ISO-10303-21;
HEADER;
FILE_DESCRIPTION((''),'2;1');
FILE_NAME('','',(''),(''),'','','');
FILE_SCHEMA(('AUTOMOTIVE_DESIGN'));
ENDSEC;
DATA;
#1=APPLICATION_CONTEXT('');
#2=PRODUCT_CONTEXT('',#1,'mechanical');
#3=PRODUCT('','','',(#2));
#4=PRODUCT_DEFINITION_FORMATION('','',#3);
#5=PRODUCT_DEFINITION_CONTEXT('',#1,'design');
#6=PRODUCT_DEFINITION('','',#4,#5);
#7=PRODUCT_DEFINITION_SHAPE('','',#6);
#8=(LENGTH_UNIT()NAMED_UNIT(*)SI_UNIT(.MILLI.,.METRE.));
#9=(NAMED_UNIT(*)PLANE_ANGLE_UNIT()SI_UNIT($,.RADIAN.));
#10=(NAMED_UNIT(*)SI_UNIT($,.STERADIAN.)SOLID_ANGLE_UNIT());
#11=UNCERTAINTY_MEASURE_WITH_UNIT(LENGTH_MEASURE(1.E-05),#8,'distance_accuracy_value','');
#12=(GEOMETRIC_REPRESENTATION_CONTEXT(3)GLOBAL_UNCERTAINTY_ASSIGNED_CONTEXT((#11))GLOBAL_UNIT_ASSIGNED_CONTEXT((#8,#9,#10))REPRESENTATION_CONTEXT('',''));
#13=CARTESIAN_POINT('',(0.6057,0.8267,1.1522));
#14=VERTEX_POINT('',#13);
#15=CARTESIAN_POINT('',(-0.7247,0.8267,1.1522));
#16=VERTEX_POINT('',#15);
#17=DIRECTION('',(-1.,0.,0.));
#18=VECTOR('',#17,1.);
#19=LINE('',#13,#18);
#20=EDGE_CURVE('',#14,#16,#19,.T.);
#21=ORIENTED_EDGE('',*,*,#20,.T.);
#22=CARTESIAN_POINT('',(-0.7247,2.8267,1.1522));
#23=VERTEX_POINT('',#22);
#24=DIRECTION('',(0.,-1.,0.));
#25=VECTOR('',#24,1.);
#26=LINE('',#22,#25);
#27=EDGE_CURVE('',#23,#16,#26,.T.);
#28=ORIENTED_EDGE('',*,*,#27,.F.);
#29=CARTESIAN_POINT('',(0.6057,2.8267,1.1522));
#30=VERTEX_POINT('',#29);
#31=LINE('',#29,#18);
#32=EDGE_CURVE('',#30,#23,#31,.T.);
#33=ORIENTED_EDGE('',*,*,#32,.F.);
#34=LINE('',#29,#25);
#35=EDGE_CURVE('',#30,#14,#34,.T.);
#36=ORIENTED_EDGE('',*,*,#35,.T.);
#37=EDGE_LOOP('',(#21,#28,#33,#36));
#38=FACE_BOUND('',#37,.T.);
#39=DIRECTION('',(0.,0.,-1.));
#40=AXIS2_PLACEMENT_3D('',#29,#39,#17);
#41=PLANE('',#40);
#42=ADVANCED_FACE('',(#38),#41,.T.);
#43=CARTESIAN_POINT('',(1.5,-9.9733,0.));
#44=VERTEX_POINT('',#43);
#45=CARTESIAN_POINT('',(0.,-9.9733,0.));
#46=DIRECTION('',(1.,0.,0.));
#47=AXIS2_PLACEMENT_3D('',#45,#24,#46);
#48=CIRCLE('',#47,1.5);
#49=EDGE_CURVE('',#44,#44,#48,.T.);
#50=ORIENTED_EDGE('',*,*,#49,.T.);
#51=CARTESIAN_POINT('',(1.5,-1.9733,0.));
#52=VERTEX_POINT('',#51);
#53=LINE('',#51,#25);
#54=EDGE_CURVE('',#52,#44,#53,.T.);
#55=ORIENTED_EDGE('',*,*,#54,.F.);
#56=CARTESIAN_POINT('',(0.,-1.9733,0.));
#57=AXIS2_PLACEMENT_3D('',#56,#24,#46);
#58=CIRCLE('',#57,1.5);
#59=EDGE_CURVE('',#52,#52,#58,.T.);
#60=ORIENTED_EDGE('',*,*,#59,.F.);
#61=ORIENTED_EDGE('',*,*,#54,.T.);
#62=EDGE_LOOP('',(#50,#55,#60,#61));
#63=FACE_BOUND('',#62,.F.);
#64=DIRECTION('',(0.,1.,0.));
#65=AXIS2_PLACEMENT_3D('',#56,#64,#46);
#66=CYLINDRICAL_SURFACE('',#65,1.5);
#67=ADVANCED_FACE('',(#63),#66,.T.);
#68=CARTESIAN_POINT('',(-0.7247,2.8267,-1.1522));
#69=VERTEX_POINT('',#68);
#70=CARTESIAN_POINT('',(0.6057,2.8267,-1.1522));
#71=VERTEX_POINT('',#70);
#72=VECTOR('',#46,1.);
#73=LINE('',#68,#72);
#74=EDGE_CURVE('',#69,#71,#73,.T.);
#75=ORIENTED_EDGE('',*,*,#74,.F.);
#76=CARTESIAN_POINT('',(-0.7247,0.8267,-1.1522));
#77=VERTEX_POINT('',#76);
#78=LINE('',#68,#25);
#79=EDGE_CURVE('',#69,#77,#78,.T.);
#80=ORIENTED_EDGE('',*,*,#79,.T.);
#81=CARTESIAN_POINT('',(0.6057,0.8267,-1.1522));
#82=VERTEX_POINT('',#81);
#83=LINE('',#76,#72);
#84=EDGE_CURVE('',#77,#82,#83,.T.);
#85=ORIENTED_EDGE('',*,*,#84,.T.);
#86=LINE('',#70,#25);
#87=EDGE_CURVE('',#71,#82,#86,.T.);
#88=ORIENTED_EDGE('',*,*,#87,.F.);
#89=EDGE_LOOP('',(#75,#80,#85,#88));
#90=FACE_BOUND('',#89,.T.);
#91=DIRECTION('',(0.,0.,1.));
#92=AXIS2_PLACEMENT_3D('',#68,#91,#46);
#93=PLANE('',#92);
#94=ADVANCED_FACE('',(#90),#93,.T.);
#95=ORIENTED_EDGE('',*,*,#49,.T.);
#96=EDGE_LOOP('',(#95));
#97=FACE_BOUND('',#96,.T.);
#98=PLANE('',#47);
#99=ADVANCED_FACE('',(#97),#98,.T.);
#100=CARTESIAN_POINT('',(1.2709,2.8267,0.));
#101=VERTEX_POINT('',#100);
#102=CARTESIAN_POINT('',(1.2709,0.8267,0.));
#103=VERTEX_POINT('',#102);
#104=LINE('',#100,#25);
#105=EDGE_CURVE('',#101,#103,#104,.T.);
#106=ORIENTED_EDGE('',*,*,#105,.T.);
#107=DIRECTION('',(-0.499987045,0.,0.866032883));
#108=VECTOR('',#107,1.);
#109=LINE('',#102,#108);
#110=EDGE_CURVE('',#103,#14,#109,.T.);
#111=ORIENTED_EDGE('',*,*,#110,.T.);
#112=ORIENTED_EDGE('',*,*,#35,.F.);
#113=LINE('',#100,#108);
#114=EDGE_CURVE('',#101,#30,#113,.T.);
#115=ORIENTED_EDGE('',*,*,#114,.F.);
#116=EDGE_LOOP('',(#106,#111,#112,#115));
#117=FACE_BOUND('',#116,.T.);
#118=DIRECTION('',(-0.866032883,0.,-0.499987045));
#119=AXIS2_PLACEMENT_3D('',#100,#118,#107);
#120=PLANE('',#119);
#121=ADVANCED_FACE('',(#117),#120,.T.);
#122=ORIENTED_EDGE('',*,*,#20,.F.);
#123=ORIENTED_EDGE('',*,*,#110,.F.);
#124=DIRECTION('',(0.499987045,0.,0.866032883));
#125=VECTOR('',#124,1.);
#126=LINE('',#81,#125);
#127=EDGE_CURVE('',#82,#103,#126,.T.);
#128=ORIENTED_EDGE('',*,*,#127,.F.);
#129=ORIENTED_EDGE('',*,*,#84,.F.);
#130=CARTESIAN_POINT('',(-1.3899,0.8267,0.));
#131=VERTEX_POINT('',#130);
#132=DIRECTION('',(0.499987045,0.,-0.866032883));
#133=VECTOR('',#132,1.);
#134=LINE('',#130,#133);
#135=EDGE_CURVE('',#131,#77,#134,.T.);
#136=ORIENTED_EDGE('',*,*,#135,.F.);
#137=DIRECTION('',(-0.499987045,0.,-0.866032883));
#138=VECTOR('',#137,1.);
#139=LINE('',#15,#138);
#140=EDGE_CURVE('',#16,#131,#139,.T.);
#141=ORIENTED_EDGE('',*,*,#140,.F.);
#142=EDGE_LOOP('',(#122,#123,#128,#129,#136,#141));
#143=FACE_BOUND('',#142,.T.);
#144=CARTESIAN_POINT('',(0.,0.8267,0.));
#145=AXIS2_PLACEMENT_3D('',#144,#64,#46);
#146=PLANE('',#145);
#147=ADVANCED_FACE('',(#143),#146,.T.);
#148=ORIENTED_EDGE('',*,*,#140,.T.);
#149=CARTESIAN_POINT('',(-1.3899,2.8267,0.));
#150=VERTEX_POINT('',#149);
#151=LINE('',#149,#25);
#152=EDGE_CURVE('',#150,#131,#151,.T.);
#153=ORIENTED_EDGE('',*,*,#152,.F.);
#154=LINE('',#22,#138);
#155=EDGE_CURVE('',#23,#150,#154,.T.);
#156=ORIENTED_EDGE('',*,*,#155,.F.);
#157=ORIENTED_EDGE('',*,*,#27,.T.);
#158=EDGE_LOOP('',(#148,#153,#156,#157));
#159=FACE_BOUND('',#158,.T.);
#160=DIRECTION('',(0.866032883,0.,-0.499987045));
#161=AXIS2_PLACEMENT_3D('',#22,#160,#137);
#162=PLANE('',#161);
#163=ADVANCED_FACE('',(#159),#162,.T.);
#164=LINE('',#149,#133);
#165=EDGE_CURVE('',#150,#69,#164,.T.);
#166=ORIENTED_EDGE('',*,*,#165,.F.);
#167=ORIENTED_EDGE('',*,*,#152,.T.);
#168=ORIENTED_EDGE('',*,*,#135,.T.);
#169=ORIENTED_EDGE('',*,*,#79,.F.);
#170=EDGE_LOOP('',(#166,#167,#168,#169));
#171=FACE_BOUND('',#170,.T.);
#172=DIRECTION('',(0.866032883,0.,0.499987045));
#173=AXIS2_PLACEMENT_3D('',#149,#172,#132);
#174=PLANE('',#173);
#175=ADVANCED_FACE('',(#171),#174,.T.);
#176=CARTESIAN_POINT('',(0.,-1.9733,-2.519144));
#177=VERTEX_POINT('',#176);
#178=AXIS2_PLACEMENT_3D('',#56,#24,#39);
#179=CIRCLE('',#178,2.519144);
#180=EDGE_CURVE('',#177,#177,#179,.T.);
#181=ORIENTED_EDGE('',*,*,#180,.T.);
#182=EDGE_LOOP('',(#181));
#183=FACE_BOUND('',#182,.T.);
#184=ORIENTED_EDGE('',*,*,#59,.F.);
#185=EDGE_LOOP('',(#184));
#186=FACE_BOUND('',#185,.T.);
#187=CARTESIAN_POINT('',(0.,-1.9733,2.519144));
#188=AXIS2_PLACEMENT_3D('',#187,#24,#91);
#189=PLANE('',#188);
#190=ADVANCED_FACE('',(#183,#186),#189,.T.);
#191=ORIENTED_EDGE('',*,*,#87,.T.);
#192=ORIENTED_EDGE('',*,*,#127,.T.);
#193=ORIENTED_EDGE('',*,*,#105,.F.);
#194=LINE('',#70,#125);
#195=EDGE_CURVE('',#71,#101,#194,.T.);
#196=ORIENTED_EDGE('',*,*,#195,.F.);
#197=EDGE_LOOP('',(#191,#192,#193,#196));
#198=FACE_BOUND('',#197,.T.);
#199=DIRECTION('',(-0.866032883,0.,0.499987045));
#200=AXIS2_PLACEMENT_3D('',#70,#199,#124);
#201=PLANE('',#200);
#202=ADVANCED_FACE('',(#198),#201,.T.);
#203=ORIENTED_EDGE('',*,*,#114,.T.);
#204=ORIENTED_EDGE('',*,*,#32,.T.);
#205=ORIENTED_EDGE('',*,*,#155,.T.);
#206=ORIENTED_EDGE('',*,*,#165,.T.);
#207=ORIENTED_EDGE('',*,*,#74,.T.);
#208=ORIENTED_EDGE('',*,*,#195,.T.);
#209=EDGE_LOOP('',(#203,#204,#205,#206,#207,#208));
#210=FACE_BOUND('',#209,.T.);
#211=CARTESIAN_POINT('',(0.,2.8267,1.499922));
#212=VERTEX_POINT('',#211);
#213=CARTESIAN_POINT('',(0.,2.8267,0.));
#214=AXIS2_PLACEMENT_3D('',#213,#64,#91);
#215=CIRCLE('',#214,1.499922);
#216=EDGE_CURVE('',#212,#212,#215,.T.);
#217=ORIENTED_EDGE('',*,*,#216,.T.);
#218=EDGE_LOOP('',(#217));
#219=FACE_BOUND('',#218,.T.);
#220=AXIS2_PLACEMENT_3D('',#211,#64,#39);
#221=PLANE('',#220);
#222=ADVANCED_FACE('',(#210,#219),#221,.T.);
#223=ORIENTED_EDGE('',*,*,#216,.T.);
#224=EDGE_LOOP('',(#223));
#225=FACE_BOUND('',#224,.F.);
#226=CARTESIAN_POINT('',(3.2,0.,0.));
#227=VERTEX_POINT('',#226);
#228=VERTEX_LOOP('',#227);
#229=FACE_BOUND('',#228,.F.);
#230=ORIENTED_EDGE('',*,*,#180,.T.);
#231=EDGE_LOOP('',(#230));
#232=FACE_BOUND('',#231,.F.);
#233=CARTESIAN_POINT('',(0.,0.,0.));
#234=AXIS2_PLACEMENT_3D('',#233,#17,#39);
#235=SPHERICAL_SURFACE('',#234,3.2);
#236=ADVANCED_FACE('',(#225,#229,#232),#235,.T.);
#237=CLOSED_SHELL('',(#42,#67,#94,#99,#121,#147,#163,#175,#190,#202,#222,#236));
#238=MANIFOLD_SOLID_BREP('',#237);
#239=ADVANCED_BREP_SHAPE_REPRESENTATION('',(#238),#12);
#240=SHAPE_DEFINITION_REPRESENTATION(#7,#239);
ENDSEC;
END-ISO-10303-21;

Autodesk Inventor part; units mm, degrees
ref_plane "YZ Plane" through (0, 0, 0) normal (1, 0, 0) x (0, 1, 0)
ref_plane "XZ Plane" through (0, 0, 0) normal (0, 1, 0) x (-1, 0, 0)
ref_plane "XY Plane" through (0, 0, 0) normal (0, 0, 1) x (1, 0, 0)
sketch "Sketch1" plane through (0, 0, 0) normal (0, 1, 0) x (-1, 0, 0)
  circle A0 centre (0, 0) radius 3.2
  line L0 (3.2, 0) -> (-3.2, 0)
  dimension "d0" = 6.4
revolve "Revolution1" add sketch "Sketch1" angle 360 about axis through (-3.2, 0, 0) along (1, 0, 0) picked at (1.0667, -1.9947) contours A0 L0
sketch "Sketch2" plane through (0, 0, 0) normal (1, 0, 0) x (0, 1, 0)
  line L0 (-1.9733, 5.6826) -> (-7.2021, 5.6826)
  line L1 (-7.2021, 5.6826) -> (-7.2021, -6.4165)
  line L2 (-7.2021, -6.4165) -> (-1.9733, -6.4165)
  line L3 (-1.9733, -6.4165) -> (-1.9733, 5.6826)
  line L4 (5.3731, 6.6744) -> (2.8267, 6.6744)
  line L5 (2.8267, 6.6744) -> (2.8267, -5.9008)
  line L6 (2.8267, -5.9008) -> (5.3731, -5.9008)
  line L7 (5.3731, -5.9008) -> (5.3731, 6.6744)
  circle A0 centre (0, 0) radius 3.2 projected
  point P0 (2.8267, -1.5)
  point P1 (2.8267, 1.5)
  dimension "d2" = 4.8
  dimension "d8" = 3
extrude "Extrusion1" cut sketch "Sketch2" along normal mid plane 10 contours L3 A0 L2 L1 L0 | L3 A0 | A0 L5 | L5 L4 L7 L6 A0
sketch "Sketch3" plane through (0, -1.9733, 0) normal (0, -1, 0) x (1, 0, 0)
  circle A0 centre (0, 0) radius 2.5191 projected
  circle A1 centre (0, 0) radius 1.5
  dimension "d5" = 3
extrude "Extrusion2" add sketch "Sketch3" along normal blind 8 contours A1
thread "Thread1" size "M3x0.5" class "6g" standard "ANSI Metric M Profile" full length
sketch "Sketch4" plane through (0, 2.8267, 0) normal (0, 1, 0) x (1, 0, 0)
  line L0 (-1.3899, 0) -> (-0.7247, 1.1522)
  line L1 (-0.7247, 1.1522) -> (0.6057, 1.1522)
  line L2 (0.6057, 1.1522) -> (1.2709, 0)
  line L3 (1.2709, 0) -> (0.6057, -1.1522)
  line L4 (0.6057, -1.1522) -> (-0.7247, -1.1522)
  line L5 (-0.7247, -1.1522) -> (-1.3899, 0)
  point P0 (-0.0595, 0)
extrude "Extrusion3" cut sketch "Sketch4" against normal blind 2
properties part number "500-113" material "Aluminum 6061"
